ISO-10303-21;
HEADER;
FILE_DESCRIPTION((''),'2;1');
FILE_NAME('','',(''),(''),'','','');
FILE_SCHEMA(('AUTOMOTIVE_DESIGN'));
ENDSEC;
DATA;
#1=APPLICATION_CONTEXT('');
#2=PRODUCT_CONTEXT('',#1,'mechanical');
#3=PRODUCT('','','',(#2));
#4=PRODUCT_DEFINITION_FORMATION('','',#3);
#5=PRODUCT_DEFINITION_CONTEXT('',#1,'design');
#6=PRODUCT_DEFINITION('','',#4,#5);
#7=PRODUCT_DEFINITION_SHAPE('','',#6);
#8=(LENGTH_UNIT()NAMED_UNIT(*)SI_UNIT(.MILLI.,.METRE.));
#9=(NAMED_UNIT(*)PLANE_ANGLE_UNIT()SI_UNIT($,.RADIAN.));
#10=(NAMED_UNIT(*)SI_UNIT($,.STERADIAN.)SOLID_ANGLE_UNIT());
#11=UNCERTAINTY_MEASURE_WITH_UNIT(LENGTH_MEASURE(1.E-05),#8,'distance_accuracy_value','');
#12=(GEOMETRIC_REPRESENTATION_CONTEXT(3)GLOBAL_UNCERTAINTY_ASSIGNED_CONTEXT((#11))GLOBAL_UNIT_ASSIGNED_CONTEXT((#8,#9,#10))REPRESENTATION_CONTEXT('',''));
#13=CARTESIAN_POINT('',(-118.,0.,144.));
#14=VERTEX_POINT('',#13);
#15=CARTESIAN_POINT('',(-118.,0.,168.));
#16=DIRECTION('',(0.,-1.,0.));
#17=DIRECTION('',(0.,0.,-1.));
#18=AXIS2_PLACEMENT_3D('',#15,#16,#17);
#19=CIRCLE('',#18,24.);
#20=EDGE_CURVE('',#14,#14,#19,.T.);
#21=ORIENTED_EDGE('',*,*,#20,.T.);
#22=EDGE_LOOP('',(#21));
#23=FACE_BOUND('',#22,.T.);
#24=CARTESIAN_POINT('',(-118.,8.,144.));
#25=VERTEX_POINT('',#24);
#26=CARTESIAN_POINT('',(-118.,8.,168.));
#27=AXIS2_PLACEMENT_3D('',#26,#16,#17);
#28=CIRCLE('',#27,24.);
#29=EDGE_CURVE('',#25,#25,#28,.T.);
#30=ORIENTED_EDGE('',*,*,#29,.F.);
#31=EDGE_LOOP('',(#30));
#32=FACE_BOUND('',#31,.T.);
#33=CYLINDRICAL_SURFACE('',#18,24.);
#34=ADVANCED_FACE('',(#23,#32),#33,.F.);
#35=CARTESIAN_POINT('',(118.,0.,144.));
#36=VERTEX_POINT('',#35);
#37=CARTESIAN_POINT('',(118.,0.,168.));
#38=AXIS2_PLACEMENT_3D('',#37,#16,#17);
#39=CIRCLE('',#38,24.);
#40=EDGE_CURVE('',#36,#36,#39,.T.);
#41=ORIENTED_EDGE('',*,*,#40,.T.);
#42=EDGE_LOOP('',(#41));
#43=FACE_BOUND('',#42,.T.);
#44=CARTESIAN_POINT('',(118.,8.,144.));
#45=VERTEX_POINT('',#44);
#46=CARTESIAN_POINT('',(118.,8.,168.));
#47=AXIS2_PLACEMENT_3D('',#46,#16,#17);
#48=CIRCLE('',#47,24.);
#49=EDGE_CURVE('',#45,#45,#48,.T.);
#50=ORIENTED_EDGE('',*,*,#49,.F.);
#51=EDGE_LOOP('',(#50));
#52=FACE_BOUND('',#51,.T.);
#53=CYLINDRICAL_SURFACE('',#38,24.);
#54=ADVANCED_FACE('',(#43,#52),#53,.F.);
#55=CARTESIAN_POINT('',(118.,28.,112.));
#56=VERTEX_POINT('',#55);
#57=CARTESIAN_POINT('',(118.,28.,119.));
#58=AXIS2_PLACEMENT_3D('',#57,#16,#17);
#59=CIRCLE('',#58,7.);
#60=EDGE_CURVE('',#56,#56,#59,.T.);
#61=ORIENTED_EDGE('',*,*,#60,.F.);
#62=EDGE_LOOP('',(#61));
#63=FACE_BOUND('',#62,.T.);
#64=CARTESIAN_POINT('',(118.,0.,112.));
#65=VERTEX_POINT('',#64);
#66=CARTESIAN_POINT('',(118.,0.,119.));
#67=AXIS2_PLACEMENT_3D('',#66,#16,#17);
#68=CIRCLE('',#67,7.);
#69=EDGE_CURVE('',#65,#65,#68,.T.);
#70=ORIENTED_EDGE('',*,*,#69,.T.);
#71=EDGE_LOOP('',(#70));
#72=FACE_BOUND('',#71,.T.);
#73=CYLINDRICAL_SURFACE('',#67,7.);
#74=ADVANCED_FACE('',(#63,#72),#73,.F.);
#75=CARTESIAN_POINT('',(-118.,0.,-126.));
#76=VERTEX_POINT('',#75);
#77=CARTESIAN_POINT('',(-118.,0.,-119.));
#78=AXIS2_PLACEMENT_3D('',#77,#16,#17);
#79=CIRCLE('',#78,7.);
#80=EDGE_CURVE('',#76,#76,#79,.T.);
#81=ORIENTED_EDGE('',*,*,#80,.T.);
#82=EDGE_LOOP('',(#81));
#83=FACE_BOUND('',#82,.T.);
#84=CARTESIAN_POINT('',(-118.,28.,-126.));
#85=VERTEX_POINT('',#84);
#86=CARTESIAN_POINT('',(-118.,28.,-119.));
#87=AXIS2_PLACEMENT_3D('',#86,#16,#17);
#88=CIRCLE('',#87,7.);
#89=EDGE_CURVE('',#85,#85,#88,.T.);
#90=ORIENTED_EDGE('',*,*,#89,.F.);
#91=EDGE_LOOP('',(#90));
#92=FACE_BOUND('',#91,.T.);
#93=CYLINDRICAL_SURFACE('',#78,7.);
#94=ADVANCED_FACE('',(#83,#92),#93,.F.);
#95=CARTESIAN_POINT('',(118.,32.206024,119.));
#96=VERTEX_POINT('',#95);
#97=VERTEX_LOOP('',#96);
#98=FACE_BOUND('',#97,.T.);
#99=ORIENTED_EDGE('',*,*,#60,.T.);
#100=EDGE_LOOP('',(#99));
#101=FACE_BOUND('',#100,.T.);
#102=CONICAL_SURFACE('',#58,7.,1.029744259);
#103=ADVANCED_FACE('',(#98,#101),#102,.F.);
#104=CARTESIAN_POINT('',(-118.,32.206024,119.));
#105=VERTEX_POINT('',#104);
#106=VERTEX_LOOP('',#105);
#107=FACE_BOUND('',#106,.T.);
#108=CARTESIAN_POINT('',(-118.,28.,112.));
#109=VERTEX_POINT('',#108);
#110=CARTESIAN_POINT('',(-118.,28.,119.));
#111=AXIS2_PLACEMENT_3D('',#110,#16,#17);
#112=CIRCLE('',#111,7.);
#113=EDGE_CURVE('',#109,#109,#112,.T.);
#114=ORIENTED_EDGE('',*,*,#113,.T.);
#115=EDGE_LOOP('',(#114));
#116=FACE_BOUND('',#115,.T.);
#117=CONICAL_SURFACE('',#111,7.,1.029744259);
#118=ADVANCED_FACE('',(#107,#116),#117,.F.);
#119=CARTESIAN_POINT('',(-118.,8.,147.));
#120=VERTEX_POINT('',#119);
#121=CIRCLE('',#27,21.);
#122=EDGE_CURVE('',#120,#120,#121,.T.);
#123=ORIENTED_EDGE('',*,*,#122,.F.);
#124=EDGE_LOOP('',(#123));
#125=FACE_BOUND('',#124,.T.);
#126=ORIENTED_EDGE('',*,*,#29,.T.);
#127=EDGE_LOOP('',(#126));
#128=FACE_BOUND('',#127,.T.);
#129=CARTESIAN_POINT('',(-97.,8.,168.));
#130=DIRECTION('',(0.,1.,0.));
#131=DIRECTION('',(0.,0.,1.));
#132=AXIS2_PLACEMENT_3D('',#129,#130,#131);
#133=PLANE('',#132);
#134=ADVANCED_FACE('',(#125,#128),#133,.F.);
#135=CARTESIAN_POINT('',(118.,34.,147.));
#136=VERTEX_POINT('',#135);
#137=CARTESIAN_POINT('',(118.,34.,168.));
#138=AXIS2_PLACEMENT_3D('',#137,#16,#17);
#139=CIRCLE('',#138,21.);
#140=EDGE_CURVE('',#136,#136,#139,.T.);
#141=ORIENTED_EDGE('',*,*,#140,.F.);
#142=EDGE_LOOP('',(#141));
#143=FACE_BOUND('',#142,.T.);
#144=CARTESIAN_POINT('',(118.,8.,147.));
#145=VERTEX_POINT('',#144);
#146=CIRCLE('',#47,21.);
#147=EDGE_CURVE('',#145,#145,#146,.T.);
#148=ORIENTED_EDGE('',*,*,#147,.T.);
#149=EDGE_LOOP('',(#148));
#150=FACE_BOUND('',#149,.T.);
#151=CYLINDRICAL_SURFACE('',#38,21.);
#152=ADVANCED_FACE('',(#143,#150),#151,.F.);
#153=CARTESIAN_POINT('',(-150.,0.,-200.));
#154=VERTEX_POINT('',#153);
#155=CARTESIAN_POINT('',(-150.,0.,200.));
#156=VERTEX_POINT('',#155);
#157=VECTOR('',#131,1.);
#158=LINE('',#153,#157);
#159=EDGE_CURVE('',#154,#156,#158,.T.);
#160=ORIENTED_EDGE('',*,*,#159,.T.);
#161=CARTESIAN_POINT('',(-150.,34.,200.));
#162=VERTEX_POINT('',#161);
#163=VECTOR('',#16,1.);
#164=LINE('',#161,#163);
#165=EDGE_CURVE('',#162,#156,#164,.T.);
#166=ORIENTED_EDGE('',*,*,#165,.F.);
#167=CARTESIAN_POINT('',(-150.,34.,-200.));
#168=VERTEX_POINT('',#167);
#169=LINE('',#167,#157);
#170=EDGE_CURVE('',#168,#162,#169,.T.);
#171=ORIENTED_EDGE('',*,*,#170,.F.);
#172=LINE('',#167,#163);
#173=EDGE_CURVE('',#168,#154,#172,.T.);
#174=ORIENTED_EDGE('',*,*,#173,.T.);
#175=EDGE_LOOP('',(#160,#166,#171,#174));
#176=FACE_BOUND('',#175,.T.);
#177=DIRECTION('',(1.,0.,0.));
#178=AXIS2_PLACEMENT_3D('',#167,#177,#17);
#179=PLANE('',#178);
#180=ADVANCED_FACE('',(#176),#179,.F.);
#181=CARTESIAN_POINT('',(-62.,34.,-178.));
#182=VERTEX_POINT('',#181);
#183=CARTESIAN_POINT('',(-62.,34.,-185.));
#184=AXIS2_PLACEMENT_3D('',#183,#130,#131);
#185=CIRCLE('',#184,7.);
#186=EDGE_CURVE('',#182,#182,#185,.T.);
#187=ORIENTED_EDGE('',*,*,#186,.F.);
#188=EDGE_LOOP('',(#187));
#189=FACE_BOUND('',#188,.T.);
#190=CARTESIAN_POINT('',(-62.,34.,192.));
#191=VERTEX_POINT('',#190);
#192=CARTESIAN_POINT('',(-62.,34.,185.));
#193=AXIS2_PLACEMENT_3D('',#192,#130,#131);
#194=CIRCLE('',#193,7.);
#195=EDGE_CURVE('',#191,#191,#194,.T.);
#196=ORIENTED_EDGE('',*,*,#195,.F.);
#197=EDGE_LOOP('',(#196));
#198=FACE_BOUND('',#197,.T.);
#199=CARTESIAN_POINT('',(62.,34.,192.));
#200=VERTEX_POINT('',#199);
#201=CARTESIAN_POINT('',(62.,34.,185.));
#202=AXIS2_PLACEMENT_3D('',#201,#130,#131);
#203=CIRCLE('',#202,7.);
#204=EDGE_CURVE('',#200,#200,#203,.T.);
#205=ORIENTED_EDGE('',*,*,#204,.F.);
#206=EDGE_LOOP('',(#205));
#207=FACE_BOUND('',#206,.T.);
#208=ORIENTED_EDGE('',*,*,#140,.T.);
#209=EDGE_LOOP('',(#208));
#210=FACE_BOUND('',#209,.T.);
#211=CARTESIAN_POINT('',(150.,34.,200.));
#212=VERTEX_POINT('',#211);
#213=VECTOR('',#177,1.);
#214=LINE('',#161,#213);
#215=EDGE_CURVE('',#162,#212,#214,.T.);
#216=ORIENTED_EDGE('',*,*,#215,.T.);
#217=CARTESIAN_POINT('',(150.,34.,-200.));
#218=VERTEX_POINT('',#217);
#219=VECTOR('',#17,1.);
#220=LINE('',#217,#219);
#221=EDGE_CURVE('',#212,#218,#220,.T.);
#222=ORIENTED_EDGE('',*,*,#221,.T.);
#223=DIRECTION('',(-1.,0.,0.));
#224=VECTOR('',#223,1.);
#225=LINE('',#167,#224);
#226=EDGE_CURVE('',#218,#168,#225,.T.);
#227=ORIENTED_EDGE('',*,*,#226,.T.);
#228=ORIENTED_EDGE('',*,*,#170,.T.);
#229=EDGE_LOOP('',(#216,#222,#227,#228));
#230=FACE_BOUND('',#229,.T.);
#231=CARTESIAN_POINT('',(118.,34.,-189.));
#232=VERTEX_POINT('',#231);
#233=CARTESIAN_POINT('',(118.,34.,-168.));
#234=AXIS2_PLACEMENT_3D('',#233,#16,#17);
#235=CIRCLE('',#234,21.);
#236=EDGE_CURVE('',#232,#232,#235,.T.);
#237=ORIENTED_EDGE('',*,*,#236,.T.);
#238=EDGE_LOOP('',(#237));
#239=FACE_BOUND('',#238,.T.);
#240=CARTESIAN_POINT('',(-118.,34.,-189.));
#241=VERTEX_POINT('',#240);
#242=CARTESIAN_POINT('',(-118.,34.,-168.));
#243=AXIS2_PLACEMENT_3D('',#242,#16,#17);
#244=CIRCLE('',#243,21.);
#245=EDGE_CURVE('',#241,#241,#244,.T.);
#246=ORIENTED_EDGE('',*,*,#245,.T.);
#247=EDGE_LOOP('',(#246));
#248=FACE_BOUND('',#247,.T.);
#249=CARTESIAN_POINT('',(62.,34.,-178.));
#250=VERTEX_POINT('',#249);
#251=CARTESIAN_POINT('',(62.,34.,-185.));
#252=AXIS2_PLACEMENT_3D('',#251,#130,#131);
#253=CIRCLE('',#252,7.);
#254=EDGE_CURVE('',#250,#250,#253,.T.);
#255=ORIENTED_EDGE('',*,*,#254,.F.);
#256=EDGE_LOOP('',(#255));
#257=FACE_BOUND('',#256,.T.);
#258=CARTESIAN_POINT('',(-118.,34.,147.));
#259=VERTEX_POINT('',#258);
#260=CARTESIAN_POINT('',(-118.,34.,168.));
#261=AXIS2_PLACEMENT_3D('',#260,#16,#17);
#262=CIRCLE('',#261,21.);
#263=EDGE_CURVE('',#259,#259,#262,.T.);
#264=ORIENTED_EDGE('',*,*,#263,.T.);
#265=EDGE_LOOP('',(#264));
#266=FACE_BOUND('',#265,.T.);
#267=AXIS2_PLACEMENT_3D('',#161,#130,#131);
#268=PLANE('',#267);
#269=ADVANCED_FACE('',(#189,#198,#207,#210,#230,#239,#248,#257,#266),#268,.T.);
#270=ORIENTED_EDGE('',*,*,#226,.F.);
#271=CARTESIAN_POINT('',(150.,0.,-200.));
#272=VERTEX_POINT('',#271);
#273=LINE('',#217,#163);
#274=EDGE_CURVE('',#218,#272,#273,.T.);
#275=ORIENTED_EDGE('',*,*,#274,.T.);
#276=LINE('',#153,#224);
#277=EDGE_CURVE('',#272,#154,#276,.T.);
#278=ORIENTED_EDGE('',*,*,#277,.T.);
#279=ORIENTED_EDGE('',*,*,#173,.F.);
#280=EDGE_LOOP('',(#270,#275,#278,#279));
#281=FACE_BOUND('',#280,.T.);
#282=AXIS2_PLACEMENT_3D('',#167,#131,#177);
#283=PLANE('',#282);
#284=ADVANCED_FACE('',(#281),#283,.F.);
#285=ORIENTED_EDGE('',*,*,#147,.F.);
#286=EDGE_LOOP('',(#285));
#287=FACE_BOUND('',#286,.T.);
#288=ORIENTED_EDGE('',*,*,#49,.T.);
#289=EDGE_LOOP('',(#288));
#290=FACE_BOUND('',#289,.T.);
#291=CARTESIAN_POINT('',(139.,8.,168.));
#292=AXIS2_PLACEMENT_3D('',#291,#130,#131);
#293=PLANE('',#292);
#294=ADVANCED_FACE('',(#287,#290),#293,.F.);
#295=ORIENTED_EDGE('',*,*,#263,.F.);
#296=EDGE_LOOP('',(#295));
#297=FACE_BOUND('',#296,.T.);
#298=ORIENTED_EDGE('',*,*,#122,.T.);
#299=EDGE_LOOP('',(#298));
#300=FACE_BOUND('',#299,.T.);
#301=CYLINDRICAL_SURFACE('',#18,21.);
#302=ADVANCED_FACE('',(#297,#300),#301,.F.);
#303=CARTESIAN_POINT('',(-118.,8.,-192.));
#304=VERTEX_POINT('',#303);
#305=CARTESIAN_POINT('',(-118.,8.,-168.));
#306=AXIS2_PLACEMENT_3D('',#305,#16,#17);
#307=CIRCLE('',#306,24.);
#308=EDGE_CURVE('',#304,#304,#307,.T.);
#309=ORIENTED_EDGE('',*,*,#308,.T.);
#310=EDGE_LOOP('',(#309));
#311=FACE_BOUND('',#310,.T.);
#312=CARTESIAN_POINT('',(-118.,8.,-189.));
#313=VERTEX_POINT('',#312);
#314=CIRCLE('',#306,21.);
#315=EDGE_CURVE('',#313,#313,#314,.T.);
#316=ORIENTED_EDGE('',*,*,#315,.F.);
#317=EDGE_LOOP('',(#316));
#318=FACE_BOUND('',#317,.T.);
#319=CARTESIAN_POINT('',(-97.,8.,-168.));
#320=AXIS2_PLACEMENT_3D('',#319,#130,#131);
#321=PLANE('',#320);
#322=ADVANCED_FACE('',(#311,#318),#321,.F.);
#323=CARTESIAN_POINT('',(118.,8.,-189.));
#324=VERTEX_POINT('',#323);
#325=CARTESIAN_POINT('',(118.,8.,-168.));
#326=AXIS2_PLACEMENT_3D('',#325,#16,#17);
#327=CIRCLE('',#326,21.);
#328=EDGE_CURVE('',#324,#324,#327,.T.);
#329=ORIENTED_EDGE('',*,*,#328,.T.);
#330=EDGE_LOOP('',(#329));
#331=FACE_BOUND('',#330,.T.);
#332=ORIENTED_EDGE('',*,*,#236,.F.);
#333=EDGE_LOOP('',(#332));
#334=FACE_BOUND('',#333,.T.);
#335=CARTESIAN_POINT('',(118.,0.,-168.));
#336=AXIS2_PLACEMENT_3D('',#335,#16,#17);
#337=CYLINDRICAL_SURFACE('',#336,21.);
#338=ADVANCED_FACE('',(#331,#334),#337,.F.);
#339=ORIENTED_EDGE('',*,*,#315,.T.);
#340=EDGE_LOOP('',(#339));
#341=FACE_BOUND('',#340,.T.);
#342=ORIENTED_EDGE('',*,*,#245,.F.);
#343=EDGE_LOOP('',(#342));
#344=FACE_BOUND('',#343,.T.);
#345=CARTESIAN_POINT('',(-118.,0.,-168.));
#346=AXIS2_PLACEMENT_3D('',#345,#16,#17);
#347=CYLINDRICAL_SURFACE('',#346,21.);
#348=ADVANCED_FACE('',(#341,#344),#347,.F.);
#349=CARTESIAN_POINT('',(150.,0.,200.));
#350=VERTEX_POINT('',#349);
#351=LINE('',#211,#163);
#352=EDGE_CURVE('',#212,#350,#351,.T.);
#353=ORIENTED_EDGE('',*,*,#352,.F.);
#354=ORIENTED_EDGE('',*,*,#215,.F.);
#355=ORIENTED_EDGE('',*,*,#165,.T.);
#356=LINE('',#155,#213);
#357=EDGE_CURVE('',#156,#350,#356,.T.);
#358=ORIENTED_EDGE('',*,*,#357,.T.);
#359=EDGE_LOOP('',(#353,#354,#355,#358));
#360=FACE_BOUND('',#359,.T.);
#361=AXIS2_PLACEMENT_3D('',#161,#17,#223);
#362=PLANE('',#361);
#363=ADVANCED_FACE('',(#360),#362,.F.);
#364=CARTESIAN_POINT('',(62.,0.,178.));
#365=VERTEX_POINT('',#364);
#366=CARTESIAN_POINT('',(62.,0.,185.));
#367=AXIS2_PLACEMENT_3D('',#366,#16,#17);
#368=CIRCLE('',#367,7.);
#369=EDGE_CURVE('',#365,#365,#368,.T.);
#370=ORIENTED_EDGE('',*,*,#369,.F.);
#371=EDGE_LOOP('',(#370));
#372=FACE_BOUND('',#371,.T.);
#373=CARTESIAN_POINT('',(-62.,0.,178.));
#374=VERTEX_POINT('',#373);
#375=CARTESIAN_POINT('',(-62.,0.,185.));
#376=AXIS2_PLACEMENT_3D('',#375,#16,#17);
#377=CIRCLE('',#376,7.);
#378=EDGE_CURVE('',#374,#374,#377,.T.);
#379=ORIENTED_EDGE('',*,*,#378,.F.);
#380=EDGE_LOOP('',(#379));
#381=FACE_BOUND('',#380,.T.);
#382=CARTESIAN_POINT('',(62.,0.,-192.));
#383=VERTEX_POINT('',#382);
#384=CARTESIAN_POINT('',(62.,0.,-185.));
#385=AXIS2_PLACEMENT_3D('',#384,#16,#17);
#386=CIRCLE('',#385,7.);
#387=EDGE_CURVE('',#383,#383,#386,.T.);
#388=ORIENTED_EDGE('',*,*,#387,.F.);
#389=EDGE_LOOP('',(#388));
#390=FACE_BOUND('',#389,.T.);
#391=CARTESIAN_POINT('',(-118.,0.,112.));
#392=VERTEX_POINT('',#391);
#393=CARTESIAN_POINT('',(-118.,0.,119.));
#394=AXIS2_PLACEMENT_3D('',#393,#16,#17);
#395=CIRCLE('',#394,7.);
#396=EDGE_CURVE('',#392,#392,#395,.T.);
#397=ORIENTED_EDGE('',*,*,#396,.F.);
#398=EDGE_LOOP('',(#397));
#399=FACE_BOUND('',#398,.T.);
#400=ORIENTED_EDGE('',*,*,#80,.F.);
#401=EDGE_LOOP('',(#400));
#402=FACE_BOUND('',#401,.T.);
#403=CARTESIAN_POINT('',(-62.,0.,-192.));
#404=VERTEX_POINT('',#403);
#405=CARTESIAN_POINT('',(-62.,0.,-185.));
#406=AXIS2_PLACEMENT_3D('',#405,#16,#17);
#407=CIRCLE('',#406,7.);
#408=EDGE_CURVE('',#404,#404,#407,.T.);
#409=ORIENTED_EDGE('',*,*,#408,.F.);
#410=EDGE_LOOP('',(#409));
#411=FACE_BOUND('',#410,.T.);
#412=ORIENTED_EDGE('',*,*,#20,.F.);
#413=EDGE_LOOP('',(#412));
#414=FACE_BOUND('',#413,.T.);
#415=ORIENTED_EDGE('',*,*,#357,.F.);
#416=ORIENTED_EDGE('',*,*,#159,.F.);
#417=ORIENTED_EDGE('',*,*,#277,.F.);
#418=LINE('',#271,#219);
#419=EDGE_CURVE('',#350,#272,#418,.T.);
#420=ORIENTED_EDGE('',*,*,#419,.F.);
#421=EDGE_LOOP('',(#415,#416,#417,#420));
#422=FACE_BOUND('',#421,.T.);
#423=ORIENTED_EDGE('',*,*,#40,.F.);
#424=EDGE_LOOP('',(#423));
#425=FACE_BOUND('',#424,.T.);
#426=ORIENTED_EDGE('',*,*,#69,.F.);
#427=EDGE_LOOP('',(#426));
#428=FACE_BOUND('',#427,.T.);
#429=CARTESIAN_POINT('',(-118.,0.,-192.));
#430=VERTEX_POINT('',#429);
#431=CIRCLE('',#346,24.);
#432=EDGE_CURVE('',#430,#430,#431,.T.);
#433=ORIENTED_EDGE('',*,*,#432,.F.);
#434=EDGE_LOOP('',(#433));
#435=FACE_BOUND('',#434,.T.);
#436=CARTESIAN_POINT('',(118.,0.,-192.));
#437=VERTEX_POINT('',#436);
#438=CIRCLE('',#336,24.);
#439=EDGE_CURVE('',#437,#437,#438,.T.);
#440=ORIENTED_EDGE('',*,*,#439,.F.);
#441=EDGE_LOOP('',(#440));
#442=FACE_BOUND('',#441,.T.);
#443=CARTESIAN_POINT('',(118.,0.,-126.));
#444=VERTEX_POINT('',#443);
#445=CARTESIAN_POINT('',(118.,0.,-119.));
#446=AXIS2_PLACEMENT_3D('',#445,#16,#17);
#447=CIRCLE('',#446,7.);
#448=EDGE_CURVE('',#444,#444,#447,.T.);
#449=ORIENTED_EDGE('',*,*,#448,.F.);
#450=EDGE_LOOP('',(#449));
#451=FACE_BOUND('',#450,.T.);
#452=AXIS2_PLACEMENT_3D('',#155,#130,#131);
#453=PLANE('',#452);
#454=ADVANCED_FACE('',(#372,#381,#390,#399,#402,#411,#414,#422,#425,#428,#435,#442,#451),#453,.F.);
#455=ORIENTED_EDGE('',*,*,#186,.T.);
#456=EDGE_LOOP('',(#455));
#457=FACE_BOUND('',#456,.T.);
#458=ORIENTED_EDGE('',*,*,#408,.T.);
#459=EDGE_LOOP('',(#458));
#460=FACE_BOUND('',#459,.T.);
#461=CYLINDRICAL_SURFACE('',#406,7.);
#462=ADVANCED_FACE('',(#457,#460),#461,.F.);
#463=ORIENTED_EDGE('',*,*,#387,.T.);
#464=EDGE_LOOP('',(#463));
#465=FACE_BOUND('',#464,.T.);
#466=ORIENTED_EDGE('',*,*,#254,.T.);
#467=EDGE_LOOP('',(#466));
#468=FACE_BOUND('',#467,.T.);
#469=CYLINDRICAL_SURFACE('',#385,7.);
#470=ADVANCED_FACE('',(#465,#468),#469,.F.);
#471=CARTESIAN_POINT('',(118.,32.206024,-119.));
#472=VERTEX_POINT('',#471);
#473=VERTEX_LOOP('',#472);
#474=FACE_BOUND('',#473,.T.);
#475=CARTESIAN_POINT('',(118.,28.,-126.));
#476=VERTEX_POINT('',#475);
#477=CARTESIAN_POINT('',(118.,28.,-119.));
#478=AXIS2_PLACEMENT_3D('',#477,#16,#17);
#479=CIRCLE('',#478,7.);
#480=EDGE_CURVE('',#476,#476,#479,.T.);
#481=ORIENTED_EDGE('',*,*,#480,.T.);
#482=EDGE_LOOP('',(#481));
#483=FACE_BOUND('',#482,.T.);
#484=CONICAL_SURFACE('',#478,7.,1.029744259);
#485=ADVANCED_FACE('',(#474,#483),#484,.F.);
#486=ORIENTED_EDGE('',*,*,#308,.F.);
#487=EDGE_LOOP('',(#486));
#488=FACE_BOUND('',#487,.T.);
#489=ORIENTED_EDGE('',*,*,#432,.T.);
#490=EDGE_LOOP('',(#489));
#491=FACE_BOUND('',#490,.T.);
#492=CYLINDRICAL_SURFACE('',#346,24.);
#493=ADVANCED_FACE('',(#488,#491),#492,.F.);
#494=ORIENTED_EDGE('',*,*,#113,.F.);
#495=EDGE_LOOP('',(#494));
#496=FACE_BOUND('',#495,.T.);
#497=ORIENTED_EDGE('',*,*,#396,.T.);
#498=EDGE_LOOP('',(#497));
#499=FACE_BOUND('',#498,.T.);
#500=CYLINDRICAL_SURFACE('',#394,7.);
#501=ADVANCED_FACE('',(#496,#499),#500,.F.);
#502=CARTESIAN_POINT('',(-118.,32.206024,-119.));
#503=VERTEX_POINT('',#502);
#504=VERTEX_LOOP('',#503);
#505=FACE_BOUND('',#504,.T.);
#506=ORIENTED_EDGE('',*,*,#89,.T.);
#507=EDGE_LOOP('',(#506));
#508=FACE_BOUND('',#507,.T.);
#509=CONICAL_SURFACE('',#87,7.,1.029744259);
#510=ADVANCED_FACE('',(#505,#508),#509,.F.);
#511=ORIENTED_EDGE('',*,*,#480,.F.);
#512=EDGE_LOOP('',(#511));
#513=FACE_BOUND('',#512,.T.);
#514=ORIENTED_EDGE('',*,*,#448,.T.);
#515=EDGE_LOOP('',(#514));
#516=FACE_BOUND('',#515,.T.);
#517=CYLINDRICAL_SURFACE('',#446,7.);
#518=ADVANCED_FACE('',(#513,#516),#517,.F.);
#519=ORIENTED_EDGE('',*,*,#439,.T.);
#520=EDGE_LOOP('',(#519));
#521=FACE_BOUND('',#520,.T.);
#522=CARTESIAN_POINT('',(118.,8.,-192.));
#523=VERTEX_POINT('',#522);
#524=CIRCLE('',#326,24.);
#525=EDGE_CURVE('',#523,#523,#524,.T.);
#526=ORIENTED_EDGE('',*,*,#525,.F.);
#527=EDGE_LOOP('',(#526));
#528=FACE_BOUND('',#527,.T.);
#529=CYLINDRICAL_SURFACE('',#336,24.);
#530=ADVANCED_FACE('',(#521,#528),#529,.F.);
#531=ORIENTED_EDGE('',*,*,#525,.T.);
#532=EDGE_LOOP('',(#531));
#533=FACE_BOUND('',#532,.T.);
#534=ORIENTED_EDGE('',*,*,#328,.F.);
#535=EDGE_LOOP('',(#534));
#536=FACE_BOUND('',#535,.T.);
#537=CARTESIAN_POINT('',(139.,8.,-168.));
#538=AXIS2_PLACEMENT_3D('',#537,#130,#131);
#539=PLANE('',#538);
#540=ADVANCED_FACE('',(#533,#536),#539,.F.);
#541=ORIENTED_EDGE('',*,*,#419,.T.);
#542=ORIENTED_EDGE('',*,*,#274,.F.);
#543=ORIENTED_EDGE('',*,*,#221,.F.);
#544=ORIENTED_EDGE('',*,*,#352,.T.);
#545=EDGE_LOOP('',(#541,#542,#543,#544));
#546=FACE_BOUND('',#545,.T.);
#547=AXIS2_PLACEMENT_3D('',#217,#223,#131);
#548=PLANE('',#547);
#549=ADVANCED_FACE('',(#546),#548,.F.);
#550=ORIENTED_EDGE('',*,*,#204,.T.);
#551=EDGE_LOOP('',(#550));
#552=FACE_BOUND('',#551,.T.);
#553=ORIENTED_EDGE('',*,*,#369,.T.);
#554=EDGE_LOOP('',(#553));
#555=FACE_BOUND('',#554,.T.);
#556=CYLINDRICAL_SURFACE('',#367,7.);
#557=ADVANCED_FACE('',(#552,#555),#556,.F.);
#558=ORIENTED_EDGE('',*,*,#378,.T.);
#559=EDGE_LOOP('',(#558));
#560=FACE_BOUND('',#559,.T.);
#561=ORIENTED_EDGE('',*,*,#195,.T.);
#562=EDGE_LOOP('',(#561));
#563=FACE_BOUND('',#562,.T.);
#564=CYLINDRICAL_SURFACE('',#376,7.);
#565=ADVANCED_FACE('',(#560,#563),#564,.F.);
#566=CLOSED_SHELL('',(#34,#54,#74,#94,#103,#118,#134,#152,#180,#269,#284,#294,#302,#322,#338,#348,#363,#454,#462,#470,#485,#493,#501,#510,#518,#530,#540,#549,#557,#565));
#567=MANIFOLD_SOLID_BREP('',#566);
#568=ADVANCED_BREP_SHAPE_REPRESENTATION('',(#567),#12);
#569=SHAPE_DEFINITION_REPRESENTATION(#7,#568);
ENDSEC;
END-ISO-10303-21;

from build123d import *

# Parameters (mm, degrees)
ESBO_O1_W                  = 300
ESBO_O1_H                  = 400
EXTRUS_O1_DEPTH            = 34
FURO_ROSCADO_DE_M161_D     = 14
FURO_ROSCADO_DE_M161_DEPTH = 28
FURO_ROSCADO_DE_M161_TIP   = 4.206024333
FURO1_D                    = 42
FURO1_CBORE_D              = 48
FURO1_CBORE_DEPTH          = 8
FURO2_D                    = 14
FURO2_DEPTH                = 100


with BuildPart() as part:
    # Esboço1 → Extrusão1 (new body)
    with BuildSketch(Plane(origin=(0, 0, 0), x_dir=(1, 0, 0), z_dir=(0, 1, 0))):
        Rectangle(ESBO_O1_W, ESBO_O1_H)
    extrude(amount=EXTRUS_O1_DEPTH)

    # Furo roscado de M161
    with Locations(Plane.XZ):
        with Locations((-118, 119), (118, 119), (-118, -119), (118, -119)):
            Hole(FURO_ROSCADO_DE_M161_D / 2, depth=FURO_ROSCADO_DE_M161_DEPTH)
            with Locations((0, 0, -(FURO_ROSCADO_DE_M161_DEPTH + FURO_ROSCADO_DE_M161_TIP / 2))):  # 118° drill point
                Cone(0, FURO_ROSCADO_DE_M161_D / 2, FURO_ROSCADO_DE_M161_TIP, mode=Mode.SUBTRACT)

    # Furo1 (through all)
    with Locations(Plane.XZ):
        with Locations((118, 168), (118, -168), (-118, -168), (-118, 168)):
            CounterBoreHole(FURO1_D / 2, FURO1_CBORE_D / 2, FURO1_CBORE_DEPTH)

    # Furo2
    with Locations(Plane.XZ):
        with Locations((-62, 185), (-62, -185), (62, 185), (62, -185)):
            Hole(FURO2_D / 2, depth=FURO2_DEPTH)


solid = part.part
